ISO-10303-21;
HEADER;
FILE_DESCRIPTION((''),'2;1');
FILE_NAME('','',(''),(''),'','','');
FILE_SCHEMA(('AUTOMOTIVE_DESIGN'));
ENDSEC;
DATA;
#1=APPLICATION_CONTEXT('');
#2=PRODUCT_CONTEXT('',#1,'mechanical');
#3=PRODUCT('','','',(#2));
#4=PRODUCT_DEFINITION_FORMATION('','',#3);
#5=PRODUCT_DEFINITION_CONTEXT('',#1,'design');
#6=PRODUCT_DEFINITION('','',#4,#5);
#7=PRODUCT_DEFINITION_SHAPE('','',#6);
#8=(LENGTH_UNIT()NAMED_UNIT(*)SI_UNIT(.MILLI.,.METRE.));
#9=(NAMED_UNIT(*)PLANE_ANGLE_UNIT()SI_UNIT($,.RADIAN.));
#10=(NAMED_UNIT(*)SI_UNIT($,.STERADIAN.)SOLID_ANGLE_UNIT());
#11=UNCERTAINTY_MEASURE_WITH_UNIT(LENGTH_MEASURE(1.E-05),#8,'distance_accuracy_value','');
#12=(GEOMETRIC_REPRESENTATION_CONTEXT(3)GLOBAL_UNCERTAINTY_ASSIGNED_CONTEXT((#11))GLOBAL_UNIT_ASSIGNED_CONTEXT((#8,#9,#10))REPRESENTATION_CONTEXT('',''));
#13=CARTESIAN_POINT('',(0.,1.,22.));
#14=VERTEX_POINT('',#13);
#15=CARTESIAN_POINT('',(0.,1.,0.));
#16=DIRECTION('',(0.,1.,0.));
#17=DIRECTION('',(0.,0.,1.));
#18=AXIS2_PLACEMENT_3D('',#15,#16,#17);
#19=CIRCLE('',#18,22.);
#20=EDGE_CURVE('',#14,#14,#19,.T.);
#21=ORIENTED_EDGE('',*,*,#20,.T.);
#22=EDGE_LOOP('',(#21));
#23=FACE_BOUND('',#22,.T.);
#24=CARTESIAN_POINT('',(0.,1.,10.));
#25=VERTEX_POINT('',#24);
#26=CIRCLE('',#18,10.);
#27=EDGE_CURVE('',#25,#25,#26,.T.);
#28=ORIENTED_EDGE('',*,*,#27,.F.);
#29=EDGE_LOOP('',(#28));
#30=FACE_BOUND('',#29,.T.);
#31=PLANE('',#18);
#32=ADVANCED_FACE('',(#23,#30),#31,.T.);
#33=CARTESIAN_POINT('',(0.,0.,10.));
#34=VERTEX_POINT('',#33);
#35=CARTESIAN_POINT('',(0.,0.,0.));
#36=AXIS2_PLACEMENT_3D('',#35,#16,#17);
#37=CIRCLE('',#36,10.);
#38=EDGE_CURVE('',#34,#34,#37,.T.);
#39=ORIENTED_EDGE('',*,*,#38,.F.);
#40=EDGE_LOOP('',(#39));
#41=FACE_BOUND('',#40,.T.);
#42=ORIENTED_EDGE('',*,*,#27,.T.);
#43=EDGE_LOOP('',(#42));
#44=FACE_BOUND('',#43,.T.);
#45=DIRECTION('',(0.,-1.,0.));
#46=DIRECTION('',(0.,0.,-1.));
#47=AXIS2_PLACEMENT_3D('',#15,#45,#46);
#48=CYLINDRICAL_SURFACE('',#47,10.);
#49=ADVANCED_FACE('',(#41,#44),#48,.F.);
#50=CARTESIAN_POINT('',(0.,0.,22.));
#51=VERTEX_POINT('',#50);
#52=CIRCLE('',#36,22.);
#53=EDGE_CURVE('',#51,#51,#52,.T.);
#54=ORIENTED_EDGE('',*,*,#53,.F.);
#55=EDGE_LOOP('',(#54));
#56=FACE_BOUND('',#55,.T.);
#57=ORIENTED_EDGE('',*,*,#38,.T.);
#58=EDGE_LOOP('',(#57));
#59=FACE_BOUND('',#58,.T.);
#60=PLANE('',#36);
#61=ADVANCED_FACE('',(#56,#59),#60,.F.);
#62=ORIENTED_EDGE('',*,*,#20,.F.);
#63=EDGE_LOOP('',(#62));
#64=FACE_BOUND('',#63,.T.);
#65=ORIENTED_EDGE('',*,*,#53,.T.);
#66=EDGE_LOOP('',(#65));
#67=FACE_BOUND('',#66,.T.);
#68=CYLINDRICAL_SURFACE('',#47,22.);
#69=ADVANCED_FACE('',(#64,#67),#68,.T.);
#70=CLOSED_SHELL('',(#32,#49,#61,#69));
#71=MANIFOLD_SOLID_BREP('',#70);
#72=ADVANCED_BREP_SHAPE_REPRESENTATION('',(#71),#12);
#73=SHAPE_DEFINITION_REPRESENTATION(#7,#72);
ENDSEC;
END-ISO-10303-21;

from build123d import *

# Parameters (mm, degrees)
SKETCH_1_R      = 22
SKETCH_1_R_2    = 10
EXTRUDE_1_DEPTH = 1


with BuildPart() as part:
    # Эскиз1 → Бобышка-Вытянуть1 (new body)
    with BuildSketch(Plane(origin=(0, 0, 0), x_dir=(1, 0, 0), z_dir=(0, 1, 0))):
        with Locations(Location((0, 0, 0), (0, 0, 270))):
            Circle(SKETCH_1_R)
        with Locations(Location((0, 0, 0), (0, 0, 270))):
            Circle(SKETCH_1_R_2, mode=Mode.SUBTRACT)
    extrude(amount=EXTRUDE_1_DEPTH)


solid = part.part
